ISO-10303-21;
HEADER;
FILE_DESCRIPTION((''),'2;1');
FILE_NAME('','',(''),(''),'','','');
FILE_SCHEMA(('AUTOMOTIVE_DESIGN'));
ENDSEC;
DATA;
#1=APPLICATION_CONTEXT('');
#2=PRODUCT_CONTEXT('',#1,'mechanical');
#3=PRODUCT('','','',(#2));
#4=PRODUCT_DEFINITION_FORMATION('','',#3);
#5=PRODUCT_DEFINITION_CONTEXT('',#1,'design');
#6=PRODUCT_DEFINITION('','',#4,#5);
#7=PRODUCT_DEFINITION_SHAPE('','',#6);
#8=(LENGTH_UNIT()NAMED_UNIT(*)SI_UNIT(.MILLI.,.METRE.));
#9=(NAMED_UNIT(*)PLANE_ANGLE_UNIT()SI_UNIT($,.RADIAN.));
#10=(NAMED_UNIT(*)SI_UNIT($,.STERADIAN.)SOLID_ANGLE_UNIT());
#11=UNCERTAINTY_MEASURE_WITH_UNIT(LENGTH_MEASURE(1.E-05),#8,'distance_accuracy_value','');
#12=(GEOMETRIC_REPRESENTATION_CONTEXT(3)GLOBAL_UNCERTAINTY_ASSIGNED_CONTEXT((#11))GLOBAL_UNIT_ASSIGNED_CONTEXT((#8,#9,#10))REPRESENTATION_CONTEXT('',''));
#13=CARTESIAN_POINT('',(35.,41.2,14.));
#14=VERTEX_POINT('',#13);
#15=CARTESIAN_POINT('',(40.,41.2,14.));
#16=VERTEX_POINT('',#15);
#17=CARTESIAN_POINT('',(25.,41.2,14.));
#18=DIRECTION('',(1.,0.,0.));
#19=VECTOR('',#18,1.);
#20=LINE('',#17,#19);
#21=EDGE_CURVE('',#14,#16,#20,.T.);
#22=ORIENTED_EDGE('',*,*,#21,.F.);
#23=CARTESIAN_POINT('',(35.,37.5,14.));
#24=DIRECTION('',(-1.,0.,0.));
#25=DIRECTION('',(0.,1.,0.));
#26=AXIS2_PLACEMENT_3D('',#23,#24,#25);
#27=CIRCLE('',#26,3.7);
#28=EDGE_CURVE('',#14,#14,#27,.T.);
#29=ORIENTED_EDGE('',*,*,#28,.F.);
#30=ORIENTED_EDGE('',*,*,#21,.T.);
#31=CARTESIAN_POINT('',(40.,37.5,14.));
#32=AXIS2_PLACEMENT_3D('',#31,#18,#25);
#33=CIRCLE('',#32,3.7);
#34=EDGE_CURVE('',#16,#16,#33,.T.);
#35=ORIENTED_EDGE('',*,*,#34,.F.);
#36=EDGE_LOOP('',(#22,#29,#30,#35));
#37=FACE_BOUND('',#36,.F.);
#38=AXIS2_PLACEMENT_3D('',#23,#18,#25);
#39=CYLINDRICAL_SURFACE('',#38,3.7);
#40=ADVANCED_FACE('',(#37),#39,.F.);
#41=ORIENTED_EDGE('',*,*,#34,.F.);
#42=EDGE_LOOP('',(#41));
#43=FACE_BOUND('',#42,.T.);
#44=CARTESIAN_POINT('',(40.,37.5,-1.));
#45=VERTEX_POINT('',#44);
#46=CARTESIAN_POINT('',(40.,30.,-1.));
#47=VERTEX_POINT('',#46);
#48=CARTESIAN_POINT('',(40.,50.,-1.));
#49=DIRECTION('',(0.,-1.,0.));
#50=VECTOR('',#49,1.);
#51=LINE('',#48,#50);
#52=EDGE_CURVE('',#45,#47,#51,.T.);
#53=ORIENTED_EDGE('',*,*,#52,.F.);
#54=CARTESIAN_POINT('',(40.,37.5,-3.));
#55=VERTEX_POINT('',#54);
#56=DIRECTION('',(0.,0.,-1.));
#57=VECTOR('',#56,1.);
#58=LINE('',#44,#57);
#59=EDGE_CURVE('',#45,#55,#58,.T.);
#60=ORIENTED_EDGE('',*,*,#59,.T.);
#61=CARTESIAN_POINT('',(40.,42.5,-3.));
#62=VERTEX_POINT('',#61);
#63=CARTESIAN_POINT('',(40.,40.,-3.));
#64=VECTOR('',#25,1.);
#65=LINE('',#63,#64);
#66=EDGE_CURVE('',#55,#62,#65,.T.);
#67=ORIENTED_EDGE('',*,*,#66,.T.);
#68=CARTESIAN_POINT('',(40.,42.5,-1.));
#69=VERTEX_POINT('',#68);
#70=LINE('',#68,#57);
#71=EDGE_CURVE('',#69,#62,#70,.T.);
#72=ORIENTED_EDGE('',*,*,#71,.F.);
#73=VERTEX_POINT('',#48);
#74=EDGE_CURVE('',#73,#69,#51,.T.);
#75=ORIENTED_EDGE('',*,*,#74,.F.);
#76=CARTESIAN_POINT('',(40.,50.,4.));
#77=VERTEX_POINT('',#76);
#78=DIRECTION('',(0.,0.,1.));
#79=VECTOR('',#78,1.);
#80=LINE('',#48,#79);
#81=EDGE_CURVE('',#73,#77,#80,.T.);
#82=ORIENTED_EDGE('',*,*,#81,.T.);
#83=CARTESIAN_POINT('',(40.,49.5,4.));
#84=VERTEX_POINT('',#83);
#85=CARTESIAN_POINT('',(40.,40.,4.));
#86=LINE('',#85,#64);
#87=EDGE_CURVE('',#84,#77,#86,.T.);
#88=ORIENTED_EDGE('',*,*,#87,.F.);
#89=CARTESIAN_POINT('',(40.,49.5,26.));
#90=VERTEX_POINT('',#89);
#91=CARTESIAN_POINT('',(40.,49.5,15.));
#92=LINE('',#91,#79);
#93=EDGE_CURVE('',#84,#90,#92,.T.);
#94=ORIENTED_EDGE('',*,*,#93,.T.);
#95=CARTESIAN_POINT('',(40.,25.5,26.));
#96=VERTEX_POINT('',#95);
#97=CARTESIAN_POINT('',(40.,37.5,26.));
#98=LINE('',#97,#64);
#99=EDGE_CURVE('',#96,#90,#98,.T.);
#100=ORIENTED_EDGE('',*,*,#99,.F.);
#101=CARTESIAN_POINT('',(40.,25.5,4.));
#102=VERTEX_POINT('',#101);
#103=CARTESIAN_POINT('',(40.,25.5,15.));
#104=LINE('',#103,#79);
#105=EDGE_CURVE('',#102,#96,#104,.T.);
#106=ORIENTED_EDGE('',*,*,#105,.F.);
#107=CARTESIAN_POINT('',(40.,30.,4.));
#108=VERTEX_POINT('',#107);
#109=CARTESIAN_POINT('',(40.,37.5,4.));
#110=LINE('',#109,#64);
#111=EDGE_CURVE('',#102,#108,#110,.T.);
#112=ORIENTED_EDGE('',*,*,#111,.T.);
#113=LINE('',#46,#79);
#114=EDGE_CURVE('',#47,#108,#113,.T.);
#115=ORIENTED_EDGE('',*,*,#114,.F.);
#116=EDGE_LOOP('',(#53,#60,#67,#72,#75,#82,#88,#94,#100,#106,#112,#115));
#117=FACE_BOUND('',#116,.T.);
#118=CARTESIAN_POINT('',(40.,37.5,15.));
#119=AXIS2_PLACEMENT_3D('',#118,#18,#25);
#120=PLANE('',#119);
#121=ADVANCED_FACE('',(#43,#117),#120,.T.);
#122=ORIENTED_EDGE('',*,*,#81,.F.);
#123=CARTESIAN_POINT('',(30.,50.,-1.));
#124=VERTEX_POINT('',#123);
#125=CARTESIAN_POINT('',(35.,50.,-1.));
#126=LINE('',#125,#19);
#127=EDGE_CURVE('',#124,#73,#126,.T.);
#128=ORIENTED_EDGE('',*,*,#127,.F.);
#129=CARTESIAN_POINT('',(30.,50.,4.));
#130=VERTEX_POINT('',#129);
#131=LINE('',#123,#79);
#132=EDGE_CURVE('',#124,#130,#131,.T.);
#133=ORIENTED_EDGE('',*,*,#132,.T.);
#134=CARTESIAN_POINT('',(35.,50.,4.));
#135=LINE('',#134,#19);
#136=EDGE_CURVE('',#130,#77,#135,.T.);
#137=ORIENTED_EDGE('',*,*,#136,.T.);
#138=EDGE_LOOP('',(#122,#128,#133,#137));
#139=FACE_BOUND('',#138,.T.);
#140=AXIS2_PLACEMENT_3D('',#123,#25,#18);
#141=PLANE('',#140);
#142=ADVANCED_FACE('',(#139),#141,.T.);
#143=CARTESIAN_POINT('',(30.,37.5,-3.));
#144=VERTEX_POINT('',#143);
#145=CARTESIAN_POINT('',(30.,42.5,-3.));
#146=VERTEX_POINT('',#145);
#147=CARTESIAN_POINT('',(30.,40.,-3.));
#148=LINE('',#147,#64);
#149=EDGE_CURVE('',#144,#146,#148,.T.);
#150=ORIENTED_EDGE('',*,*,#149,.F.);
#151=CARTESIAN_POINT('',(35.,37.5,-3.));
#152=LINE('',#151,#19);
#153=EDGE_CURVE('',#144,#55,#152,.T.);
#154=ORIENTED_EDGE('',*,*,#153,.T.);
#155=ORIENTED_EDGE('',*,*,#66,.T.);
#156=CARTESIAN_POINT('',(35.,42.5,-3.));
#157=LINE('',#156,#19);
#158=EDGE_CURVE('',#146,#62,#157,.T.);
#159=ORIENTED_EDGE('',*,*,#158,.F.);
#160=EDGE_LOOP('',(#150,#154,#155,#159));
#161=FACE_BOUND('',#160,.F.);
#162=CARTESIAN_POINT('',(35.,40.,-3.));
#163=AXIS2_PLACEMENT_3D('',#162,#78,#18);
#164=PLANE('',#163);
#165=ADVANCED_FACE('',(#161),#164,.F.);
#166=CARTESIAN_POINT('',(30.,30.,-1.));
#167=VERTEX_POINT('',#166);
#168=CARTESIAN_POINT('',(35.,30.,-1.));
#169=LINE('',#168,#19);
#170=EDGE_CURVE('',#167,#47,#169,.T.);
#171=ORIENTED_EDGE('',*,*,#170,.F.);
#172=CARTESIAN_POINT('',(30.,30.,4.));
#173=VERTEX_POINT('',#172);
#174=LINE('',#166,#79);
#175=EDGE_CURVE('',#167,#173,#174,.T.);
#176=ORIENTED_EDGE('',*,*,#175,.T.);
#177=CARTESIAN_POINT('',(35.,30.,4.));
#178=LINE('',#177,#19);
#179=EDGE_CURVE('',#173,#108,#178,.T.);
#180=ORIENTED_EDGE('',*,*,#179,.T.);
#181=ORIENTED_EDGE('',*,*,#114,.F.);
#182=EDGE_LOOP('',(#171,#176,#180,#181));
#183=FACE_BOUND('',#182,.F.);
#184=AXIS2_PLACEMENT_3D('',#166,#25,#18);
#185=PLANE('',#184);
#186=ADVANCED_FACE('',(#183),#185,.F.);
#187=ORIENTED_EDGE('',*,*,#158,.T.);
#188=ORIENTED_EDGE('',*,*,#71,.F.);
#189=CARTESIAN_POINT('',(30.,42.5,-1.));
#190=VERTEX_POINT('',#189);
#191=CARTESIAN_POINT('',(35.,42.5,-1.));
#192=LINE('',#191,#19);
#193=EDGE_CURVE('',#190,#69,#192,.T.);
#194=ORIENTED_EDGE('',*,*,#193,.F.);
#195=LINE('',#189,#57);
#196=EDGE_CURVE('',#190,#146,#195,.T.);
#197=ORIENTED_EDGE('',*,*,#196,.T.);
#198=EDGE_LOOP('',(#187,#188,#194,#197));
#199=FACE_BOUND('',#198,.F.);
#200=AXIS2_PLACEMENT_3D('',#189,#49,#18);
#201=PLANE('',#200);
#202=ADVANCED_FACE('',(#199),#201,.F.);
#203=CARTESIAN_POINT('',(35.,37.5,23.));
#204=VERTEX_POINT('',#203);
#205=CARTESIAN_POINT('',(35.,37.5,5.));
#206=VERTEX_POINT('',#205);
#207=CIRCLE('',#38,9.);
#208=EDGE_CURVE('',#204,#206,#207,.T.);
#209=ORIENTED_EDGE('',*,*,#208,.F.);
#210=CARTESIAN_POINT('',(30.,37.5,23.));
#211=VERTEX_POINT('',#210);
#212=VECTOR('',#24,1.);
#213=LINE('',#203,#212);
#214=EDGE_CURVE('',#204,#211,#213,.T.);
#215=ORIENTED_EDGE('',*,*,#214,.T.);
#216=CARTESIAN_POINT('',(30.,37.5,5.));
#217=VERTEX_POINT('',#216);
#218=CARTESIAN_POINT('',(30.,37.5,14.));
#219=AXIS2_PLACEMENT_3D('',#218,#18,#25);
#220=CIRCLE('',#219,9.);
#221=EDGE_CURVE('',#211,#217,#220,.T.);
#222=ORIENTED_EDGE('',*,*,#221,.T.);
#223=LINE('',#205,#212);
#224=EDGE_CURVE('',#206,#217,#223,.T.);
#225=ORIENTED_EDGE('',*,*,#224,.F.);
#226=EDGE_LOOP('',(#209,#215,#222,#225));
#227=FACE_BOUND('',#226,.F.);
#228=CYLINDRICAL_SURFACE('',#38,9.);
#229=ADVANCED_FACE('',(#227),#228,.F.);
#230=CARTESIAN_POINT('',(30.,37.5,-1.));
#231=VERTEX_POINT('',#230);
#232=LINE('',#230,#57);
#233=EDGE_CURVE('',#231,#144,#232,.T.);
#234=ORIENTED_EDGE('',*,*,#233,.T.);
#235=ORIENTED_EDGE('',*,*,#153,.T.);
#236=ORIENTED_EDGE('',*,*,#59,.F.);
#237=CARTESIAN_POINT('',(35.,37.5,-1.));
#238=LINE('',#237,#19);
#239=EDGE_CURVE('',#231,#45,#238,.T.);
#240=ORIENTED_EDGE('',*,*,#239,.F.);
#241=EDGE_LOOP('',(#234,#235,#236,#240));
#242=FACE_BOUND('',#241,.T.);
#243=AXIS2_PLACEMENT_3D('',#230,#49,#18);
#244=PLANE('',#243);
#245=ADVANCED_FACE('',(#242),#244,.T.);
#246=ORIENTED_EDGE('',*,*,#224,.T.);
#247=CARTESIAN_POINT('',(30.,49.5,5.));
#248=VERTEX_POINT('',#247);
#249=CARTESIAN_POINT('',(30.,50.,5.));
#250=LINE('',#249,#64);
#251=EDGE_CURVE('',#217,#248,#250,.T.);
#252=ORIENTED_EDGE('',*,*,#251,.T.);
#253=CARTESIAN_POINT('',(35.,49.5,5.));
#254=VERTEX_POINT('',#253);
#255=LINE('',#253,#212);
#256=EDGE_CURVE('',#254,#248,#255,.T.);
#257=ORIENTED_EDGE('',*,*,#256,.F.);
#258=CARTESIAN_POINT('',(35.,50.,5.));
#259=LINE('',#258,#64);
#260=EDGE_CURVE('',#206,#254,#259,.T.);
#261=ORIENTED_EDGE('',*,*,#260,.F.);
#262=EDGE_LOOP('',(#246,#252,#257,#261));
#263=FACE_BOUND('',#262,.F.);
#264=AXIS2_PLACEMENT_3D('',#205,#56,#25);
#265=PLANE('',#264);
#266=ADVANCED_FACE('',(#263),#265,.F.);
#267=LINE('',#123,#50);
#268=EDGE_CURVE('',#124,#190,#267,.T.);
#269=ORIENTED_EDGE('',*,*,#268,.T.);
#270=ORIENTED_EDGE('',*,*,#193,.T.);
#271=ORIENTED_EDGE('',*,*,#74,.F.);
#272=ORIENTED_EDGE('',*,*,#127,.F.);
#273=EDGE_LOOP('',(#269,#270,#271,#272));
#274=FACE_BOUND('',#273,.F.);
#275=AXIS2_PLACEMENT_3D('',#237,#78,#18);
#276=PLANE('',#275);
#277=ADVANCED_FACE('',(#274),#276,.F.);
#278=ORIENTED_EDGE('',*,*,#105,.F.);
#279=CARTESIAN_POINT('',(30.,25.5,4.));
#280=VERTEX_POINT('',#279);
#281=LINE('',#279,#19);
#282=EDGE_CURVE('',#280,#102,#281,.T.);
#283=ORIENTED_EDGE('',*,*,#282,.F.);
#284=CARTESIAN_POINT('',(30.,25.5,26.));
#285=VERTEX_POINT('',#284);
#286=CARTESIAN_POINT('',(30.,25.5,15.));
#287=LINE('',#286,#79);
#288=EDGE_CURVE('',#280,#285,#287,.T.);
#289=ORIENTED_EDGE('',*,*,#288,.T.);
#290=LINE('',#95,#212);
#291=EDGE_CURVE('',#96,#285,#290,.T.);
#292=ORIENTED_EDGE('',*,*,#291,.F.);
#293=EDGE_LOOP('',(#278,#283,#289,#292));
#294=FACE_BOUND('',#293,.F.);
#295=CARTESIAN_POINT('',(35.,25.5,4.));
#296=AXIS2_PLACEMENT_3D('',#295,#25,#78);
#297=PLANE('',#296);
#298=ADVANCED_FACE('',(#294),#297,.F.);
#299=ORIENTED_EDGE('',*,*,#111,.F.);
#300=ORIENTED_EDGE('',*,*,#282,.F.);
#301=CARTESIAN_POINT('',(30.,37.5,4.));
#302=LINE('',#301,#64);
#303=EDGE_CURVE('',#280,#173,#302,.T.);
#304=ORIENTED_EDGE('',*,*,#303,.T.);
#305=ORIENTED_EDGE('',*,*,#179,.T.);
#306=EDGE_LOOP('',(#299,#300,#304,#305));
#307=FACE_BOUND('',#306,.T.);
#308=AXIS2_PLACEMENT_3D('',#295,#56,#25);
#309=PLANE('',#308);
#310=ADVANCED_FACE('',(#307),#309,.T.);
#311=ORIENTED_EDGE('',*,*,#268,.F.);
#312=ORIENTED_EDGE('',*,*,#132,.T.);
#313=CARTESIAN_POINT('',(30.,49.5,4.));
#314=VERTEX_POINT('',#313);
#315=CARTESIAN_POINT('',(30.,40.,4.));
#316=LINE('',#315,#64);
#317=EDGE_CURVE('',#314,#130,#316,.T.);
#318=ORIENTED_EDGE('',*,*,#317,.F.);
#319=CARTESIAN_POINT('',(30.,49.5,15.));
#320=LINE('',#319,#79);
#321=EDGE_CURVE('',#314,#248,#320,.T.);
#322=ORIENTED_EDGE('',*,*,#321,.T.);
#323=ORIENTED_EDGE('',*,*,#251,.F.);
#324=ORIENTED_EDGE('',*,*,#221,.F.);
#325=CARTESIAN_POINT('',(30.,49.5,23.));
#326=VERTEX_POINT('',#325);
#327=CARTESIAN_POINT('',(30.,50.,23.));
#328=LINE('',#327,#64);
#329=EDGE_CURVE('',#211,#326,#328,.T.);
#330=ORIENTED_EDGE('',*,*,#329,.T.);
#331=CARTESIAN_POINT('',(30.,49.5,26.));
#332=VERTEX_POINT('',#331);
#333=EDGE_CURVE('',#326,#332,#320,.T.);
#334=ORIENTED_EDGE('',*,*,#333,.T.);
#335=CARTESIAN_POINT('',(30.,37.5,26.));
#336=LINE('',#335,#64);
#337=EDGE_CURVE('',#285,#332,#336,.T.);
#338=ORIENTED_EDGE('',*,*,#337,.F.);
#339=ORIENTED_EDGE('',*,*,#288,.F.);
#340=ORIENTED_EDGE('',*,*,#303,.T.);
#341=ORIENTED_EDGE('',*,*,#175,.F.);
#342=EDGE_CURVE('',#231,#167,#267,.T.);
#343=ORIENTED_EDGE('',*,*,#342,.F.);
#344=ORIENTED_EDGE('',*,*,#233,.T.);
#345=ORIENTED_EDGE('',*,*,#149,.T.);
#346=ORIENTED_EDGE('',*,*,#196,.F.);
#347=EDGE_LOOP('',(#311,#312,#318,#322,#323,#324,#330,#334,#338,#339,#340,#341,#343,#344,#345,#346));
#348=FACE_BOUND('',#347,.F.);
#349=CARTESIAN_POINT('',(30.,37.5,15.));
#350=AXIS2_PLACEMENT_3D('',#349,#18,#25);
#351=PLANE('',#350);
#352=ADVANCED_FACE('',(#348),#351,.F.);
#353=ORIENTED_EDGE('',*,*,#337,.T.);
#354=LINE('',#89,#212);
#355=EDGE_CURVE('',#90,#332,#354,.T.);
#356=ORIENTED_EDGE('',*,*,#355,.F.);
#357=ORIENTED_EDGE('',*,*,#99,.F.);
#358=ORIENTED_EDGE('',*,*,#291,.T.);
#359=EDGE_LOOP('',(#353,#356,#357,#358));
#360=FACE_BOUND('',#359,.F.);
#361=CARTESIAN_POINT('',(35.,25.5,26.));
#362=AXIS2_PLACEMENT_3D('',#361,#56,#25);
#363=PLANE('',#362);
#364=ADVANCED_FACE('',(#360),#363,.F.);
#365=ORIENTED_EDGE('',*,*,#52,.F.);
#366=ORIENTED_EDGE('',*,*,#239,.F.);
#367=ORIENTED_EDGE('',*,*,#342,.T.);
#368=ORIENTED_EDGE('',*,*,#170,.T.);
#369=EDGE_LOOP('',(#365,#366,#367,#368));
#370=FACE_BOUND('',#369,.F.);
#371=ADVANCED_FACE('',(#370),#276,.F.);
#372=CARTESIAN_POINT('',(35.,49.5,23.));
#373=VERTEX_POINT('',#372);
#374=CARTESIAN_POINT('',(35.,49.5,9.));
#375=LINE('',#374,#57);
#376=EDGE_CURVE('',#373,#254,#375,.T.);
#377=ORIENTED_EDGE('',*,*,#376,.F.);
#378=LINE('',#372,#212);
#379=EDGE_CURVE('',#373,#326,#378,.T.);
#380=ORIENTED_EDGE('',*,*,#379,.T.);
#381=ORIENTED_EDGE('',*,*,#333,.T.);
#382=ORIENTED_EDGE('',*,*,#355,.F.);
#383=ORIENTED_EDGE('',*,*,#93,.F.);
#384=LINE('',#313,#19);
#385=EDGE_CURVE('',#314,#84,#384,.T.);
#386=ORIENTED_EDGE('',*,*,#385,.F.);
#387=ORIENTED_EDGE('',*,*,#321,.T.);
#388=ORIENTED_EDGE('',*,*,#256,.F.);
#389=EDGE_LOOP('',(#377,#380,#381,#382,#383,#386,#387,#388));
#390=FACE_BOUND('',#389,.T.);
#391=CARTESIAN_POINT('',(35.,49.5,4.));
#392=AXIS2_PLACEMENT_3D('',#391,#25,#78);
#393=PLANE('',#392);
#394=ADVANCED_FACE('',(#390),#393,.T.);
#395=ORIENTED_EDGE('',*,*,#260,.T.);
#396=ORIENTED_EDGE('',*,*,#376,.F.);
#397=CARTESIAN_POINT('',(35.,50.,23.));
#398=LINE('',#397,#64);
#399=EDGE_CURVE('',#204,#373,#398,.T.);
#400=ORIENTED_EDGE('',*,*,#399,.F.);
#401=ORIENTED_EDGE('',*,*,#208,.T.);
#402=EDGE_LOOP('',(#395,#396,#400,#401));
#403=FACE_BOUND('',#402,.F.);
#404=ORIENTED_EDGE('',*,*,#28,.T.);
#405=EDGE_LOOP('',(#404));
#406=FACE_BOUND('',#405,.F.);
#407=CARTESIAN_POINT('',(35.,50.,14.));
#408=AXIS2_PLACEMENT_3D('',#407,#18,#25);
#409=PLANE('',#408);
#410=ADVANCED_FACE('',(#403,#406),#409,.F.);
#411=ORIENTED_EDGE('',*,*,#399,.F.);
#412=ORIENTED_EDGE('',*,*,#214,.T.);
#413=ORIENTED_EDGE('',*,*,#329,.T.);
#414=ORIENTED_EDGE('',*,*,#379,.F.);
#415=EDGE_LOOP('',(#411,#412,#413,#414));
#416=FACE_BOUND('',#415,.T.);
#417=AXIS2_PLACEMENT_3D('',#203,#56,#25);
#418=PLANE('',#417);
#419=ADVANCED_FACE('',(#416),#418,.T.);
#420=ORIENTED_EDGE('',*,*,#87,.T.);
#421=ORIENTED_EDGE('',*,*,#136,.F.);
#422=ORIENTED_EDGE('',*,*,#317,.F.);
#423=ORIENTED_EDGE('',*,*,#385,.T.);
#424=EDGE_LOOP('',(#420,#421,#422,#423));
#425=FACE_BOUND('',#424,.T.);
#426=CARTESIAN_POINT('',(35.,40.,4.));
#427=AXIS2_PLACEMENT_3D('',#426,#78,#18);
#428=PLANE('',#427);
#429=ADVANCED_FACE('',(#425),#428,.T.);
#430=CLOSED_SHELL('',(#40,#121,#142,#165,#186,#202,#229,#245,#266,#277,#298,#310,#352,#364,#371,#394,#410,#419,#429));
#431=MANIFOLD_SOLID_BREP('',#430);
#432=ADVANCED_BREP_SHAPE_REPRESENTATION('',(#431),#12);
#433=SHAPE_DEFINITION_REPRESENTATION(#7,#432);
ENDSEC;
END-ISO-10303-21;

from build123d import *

# Parameters (mm, degrees)
SKETCH058_W     = 10
SKETCH058_H     = 20
PAD028_DEPTH    = 5
SKETCH059_W     = 10
SKETCH059_H     = 10
PAD027_DEPTH    = 6
SKETCH054_W     = 24
SKETCH054_H     = 22
PAD030_DEPTH    = 5
SKETCH055_W     = 25
SKETCH055_H     = 18
POCKET021_DEPTH = 5
SKETCH056_R     = 3.7
POCKET020_DEPTH = 10
SKETCH057_W     = 10
SKETCH057_H     = 5
PAD029_DEPTH    = 2
SKETCH065_R     = 9
POCKET025_DEPTH = 5


with BuildPart() as part:
    # Sketch058 → Pad028 (new body)
    with BuildSketch(Plane.XY):
        with Locations((0, 2.5)):
            Rectangle(SKETCH058_W, SKETCH058_H)
    extrude(amount=PAD028_DEPTH)

    # Sketch059 → Pad027 (join)
    with BuildSketch(Plane.XY):
        Rectangle(SKETCH059_W, SKETCH059_H)
    extrude(amount=PAD027_DEPTH)

    # Sketch054 → Pad030 (join, symmetric)
    with BuildSketch(Plane.YZ):
        with Locations((0, 16)):
            Rectangle(SKETCH054_W, SKETCH054_H)
    extrude(amount=PAD030_DEPTH, both=True)

    # Sketch055 → Pocket021 (cut)
    with BuildSketch(Plane.YZ):
        with Locations((12.5, 15)):
            Rectangle(SKETCH055_W, SKETCH055_H)
    extrude(amount=-POCKET021_DEPTH, mode=Mode.SUBTRACT)

    # Sketch056 → Pocket020 (cut, symmetric)
    with BuildSketch(Plane.YZ):
        with Locations((0, 15)):
            Circle(SKETCH056_R)
    extrude(amount=POCKET020_DEPTH, both=True, mode=Mode.SUBTRACT)

    # Sketch057 → Pad029 (join)
    with BuildSketch(Plane.XY):
        with Locations((0, 2.5)):
            Rectangle(SKETCH057_W, SKETCH057_H)
    extrude(amount=-PAD029_DEPTH)

    # Sketch065 → Pocket025 (cut)
    with BuildSketch(Plane.YZ):
        with Locations((0, 15)):
            Circle(SKETCH065_R)
    extrude(amount=-POCKET025_DEPTH, mode=Mode.SUBTRACT)


with BuildPart() as part_1:
    # Body011 placement: moved
    add(part.part.moved(Location((35, 37.5, -1))))


solid = part_1.part
